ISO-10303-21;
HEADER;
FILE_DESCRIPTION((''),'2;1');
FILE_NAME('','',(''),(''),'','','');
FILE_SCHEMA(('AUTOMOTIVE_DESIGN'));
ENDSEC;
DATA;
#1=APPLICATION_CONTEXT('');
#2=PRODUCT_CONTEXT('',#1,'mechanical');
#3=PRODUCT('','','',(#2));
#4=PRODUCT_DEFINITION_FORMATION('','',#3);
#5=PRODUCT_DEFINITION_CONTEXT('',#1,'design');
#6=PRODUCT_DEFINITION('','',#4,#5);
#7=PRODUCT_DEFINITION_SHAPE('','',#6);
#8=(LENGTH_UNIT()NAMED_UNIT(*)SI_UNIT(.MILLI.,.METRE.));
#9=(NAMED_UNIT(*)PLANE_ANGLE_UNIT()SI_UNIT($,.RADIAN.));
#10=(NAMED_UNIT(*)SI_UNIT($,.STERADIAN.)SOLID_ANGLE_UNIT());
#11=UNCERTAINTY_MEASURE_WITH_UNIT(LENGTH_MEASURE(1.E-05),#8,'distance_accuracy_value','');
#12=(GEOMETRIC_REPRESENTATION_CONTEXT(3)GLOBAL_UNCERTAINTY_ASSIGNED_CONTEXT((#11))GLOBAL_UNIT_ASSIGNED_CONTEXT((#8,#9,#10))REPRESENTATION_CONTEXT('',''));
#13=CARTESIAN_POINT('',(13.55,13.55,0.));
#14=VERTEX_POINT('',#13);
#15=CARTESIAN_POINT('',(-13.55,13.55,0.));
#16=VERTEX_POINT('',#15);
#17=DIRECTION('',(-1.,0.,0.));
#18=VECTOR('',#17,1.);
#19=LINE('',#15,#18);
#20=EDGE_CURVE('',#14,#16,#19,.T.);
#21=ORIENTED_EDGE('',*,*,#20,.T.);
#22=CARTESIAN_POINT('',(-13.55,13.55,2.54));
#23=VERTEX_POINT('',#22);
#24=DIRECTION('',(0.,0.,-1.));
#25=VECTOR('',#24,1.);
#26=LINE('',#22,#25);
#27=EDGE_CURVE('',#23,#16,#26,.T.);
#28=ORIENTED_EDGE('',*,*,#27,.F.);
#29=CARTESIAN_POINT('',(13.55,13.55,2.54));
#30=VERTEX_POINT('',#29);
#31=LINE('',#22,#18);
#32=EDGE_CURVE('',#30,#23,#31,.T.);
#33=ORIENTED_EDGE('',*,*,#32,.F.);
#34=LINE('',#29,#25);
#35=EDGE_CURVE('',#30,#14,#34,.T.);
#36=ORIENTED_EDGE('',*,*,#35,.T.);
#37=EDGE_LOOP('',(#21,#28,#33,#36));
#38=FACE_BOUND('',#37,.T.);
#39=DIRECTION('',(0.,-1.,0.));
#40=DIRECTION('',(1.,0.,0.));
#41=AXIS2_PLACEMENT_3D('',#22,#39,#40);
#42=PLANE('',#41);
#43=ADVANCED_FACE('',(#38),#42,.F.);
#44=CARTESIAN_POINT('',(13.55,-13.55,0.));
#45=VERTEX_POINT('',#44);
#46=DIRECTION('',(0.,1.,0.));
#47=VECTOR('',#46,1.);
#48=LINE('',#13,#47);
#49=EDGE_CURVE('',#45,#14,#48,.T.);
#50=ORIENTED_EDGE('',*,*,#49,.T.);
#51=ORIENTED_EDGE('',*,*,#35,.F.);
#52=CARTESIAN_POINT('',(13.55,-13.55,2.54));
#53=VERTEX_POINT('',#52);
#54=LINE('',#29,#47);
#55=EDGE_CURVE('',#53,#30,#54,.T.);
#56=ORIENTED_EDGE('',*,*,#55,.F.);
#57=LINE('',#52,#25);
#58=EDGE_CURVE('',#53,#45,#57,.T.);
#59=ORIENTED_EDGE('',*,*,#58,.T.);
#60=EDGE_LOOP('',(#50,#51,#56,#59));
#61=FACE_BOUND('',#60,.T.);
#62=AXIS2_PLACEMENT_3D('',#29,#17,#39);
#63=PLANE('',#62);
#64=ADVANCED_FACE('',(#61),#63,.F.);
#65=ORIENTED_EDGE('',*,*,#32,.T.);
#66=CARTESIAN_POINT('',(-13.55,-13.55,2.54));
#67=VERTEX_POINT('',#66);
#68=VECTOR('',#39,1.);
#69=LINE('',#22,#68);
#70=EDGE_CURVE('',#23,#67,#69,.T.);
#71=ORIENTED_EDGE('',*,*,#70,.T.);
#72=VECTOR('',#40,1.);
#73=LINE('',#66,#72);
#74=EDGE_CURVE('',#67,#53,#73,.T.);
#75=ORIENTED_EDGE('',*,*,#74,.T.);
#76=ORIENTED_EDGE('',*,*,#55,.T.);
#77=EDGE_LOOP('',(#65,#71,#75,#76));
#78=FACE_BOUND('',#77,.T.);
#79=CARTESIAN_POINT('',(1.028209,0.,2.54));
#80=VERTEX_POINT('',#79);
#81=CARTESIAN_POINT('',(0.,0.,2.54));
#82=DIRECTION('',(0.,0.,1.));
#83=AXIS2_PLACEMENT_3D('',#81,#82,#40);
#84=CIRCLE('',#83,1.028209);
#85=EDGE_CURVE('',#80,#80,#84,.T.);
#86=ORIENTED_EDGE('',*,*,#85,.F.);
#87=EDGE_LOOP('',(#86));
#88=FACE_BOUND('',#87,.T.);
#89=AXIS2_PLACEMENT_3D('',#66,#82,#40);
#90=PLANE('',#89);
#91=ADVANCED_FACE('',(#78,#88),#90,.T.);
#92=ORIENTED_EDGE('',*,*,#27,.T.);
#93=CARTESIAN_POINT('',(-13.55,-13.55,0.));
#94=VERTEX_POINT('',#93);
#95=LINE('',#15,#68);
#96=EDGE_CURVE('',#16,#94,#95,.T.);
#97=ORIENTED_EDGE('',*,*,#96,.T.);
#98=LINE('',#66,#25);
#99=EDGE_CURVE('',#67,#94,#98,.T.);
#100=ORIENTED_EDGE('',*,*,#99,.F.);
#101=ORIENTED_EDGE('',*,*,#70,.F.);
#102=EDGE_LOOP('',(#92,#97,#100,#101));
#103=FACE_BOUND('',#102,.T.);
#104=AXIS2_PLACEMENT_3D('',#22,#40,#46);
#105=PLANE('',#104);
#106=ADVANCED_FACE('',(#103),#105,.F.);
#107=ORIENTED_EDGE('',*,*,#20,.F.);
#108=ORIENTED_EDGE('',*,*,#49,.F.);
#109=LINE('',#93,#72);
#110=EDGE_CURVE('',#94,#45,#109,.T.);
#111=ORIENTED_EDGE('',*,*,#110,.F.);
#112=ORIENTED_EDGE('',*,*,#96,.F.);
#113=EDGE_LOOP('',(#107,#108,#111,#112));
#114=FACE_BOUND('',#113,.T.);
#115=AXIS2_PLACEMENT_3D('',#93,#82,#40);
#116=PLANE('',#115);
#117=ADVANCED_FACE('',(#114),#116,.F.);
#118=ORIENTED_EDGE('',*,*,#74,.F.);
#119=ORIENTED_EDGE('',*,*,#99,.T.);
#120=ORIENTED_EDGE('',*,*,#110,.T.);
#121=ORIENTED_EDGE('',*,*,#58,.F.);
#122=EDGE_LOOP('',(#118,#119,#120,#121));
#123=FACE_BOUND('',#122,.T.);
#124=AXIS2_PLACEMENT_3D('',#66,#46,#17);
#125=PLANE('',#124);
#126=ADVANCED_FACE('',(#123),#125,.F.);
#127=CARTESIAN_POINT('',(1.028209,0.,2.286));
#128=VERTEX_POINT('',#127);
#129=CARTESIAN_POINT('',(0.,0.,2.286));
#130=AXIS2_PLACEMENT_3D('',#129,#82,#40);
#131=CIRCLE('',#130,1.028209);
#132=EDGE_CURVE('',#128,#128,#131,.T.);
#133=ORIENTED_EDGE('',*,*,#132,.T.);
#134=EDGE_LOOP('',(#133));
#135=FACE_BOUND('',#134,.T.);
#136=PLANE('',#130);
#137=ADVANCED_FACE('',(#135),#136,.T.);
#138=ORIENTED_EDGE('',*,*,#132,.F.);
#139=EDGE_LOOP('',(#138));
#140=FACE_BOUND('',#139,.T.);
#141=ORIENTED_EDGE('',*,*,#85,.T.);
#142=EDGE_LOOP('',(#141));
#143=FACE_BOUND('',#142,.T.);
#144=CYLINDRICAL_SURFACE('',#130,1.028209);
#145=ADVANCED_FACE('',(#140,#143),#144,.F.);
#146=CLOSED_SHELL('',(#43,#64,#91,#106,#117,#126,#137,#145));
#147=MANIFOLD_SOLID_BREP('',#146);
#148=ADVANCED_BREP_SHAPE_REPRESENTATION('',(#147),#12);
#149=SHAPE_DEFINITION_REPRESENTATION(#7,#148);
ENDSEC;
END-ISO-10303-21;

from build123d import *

# Parameters (mm, degrees)
SKETCH1_W          = 27.1
SKETCH1_H          = 27.1
EXTRUDE1_DEPTH     = 2.54
SKETCH2_R          = 1.02820863
CUT_EXTRUDE1_DEPTH = 0.254


with BuildPart() as part:
    # Sketch1 → Extrude1 (new body)
    with BuildSketch(Plane.XY):
        Rectangle(SKETCH1_W, SKETCH1_H)
    extrude(amount=EXTRUDE1_DEPTH)

    # Sketch2 → Cut-Extrude1 (cut)
    with BuildSketch(Plane.XY.offset(2.54)):
        Circle(SKETCH2_R)
    extrude(amount=-CUT_EXTRUDE1_DEPTH, mode=Mode.SUBTRACT)


solid = part.part
